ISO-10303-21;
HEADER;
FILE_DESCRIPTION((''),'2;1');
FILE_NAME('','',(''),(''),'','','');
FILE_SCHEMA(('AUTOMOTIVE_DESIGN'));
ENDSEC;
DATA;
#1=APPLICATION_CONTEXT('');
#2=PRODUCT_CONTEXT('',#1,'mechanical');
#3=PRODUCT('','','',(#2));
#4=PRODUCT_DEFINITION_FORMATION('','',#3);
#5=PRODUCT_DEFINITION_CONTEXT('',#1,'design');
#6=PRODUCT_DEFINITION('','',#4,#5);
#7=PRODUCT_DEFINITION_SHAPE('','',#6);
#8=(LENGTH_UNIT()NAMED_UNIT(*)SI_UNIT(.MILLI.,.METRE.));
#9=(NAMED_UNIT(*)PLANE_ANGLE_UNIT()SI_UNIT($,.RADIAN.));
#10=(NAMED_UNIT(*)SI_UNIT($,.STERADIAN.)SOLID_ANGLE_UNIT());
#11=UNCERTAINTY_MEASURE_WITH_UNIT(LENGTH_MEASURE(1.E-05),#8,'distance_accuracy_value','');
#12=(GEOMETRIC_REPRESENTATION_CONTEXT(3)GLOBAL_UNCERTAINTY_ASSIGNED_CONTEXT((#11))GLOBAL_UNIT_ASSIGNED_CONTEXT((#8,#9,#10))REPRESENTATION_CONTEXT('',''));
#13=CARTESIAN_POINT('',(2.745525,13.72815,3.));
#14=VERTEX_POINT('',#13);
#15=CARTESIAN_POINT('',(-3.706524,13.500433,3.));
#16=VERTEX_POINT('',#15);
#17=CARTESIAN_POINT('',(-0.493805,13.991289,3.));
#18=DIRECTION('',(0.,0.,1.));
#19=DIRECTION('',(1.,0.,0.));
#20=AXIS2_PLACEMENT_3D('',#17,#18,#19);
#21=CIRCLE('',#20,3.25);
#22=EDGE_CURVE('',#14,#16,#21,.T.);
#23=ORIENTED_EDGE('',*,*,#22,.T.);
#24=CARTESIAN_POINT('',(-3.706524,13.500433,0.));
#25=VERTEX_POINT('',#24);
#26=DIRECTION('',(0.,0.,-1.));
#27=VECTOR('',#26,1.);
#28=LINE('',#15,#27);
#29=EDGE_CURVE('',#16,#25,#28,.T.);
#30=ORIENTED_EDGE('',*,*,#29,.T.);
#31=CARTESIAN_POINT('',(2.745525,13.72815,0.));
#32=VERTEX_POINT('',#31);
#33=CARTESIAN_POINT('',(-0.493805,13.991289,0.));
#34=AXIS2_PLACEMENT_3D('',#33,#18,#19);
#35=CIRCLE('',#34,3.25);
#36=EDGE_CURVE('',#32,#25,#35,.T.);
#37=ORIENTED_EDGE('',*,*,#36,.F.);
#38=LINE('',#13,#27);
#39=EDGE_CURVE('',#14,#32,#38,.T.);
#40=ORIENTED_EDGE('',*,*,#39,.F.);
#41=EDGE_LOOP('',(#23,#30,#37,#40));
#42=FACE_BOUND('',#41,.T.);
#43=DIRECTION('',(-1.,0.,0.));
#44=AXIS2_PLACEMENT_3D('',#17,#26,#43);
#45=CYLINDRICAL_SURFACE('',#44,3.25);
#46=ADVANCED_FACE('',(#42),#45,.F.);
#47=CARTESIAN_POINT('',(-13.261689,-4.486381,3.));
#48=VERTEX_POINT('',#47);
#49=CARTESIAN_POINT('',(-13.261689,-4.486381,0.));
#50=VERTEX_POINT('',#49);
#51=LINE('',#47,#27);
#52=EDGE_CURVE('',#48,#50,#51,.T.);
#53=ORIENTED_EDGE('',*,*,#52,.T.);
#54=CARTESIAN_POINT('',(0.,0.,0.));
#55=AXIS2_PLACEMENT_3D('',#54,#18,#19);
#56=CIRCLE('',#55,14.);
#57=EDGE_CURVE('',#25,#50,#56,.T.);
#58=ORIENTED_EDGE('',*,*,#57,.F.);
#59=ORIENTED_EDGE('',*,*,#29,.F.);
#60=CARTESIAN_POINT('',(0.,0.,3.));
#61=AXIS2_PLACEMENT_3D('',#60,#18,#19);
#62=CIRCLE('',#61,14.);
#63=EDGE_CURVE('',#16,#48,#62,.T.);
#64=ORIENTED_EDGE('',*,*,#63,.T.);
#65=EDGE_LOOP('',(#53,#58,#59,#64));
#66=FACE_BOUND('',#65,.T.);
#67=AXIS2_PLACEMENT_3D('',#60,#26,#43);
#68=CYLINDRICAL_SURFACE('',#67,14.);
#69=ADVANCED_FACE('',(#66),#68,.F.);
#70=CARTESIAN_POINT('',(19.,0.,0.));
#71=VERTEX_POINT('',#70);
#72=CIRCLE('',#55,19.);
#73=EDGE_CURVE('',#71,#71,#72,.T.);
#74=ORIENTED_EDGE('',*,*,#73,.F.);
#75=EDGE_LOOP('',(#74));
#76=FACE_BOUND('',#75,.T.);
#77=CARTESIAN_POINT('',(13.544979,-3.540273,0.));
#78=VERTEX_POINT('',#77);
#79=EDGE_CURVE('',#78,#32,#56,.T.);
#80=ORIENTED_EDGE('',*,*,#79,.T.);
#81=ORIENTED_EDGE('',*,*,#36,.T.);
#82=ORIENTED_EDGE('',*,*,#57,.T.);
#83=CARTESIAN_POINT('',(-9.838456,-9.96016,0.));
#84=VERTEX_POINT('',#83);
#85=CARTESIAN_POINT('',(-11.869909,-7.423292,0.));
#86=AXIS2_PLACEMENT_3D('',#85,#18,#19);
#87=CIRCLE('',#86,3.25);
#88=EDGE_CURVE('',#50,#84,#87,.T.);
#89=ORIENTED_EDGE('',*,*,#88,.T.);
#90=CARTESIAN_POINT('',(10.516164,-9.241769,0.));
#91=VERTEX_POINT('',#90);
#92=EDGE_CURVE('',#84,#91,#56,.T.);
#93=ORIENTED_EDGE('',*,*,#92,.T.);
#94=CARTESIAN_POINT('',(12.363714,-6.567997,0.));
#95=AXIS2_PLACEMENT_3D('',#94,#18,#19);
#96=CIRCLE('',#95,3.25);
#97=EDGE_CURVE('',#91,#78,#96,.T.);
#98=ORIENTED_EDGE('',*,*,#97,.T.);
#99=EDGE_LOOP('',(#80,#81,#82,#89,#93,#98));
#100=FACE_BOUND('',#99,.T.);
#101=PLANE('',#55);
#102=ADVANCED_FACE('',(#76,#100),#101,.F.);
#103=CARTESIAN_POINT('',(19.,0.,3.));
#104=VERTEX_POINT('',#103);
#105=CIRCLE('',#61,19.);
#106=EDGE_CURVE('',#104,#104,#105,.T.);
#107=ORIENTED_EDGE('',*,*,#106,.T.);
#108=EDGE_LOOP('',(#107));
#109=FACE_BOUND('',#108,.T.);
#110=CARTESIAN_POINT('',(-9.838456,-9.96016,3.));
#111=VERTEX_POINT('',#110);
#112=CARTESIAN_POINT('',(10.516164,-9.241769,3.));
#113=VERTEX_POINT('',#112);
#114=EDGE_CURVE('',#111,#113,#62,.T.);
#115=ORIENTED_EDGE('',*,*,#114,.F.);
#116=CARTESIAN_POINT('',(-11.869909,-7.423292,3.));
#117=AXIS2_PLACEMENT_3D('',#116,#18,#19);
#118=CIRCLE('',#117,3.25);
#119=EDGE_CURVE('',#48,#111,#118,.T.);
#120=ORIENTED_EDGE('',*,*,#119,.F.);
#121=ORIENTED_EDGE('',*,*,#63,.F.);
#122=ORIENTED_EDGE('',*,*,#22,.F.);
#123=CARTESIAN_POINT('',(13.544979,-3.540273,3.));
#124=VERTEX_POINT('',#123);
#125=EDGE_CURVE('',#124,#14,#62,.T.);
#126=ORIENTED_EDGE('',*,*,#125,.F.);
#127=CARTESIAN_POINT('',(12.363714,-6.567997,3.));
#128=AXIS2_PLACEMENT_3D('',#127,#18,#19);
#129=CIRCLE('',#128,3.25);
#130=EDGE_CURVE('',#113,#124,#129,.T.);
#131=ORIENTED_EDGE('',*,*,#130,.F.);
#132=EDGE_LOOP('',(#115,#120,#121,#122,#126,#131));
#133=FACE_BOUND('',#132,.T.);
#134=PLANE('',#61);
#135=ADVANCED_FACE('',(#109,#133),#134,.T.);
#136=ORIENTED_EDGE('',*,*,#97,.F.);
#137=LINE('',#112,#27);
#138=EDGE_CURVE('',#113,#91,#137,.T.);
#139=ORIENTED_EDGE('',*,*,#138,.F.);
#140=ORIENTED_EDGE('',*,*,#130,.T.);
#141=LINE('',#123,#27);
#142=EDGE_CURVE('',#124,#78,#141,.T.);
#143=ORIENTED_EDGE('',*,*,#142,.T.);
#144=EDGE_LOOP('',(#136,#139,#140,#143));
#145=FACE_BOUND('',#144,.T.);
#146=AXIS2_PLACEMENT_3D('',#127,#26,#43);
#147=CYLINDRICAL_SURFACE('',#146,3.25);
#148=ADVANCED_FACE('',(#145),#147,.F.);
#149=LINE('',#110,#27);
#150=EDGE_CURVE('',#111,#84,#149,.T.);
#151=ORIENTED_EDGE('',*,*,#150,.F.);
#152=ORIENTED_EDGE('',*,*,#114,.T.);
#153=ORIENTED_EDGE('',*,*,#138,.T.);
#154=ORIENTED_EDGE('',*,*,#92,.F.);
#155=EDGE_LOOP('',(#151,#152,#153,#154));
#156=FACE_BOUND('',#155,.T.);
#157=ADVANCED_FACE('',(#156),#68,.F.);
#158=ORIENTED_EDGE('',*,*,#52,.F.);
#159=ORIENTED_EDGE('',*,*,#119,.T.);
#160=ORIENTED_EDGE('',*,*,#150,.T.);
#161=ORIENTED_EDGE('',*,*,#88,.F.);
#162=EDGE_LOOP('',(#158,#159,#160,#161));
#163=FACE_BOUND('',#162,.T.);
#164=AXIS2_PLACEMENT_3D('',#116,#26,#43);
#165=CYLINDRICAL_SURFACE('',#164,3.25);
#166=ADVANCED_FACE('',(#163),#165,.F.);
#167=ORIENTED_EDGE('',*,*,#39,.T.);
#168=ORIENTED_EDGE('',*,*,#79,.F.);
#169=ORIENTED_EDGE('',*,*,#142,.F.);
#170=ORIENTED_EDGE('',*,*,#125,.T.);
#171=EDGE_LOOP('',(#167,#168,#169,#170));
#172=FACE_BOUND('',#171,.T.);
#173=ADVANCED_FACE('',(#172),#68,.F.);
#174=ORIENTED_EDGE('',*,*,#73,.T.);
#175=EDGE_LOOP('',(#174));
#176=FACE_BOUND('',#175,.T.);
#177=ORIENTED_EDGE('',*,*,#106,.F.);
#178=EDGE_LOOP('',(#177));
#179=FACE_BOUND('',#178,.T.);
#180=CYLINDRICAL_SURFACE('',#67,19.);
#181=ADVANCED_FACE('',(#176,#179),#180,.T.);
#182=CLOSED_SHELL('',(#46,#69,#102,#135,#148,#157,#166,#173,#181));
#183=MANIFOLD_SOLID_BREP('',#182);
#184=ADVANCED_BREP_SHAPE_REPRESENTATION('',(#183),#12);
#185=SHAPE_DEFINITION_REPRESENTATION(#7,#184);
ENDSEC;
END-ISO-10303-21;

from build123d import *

# Parameters (mm, degrees)
ESQUISSE1_R        = 19
BOSS_EXTRU_2_DEPTH = 3


with BuildPart() as part:
    # Esquisse1 → Boss.-Extru.2 (new body)
    with BuildSketch(Plane.XY):
        Circle(ESQUISSE1_R)
        with BuildLine():
            ThreePointArc((2.745524809, 13.728149676), (-0.608438359, 17.239266306), (-3.706523595, 13.500432691))
            ThreePointArc((-3.706523595, 13.500432691), (-12.363713879, 6.567996584), (-13.261688771, -4.486380606))
            ThreePointArc((-13.261688771, -4.486380606), (-14.625423384, -9.146556229), (-9.838455875, -9.960159939))
            ThreePointArc((-9.838455875, -9.960159939), (0.493805045, -13.991288596), (10.516163961, -9.24176907))
            ThreePointArc((10.516163961, -9.24176907), (15.233861743, -8.092710077), (13.54497947, -3.540272752))
            ThreePointArc((13.54497947, -3.540272752), (11.869908833, 7.423292012), (2.745524809, 13.728149676))
        make_face(mode=Mode.SUBTRACT)
    extrude(amount=BOSS_EXTRU_2_DEPTH)


solid = part.part
